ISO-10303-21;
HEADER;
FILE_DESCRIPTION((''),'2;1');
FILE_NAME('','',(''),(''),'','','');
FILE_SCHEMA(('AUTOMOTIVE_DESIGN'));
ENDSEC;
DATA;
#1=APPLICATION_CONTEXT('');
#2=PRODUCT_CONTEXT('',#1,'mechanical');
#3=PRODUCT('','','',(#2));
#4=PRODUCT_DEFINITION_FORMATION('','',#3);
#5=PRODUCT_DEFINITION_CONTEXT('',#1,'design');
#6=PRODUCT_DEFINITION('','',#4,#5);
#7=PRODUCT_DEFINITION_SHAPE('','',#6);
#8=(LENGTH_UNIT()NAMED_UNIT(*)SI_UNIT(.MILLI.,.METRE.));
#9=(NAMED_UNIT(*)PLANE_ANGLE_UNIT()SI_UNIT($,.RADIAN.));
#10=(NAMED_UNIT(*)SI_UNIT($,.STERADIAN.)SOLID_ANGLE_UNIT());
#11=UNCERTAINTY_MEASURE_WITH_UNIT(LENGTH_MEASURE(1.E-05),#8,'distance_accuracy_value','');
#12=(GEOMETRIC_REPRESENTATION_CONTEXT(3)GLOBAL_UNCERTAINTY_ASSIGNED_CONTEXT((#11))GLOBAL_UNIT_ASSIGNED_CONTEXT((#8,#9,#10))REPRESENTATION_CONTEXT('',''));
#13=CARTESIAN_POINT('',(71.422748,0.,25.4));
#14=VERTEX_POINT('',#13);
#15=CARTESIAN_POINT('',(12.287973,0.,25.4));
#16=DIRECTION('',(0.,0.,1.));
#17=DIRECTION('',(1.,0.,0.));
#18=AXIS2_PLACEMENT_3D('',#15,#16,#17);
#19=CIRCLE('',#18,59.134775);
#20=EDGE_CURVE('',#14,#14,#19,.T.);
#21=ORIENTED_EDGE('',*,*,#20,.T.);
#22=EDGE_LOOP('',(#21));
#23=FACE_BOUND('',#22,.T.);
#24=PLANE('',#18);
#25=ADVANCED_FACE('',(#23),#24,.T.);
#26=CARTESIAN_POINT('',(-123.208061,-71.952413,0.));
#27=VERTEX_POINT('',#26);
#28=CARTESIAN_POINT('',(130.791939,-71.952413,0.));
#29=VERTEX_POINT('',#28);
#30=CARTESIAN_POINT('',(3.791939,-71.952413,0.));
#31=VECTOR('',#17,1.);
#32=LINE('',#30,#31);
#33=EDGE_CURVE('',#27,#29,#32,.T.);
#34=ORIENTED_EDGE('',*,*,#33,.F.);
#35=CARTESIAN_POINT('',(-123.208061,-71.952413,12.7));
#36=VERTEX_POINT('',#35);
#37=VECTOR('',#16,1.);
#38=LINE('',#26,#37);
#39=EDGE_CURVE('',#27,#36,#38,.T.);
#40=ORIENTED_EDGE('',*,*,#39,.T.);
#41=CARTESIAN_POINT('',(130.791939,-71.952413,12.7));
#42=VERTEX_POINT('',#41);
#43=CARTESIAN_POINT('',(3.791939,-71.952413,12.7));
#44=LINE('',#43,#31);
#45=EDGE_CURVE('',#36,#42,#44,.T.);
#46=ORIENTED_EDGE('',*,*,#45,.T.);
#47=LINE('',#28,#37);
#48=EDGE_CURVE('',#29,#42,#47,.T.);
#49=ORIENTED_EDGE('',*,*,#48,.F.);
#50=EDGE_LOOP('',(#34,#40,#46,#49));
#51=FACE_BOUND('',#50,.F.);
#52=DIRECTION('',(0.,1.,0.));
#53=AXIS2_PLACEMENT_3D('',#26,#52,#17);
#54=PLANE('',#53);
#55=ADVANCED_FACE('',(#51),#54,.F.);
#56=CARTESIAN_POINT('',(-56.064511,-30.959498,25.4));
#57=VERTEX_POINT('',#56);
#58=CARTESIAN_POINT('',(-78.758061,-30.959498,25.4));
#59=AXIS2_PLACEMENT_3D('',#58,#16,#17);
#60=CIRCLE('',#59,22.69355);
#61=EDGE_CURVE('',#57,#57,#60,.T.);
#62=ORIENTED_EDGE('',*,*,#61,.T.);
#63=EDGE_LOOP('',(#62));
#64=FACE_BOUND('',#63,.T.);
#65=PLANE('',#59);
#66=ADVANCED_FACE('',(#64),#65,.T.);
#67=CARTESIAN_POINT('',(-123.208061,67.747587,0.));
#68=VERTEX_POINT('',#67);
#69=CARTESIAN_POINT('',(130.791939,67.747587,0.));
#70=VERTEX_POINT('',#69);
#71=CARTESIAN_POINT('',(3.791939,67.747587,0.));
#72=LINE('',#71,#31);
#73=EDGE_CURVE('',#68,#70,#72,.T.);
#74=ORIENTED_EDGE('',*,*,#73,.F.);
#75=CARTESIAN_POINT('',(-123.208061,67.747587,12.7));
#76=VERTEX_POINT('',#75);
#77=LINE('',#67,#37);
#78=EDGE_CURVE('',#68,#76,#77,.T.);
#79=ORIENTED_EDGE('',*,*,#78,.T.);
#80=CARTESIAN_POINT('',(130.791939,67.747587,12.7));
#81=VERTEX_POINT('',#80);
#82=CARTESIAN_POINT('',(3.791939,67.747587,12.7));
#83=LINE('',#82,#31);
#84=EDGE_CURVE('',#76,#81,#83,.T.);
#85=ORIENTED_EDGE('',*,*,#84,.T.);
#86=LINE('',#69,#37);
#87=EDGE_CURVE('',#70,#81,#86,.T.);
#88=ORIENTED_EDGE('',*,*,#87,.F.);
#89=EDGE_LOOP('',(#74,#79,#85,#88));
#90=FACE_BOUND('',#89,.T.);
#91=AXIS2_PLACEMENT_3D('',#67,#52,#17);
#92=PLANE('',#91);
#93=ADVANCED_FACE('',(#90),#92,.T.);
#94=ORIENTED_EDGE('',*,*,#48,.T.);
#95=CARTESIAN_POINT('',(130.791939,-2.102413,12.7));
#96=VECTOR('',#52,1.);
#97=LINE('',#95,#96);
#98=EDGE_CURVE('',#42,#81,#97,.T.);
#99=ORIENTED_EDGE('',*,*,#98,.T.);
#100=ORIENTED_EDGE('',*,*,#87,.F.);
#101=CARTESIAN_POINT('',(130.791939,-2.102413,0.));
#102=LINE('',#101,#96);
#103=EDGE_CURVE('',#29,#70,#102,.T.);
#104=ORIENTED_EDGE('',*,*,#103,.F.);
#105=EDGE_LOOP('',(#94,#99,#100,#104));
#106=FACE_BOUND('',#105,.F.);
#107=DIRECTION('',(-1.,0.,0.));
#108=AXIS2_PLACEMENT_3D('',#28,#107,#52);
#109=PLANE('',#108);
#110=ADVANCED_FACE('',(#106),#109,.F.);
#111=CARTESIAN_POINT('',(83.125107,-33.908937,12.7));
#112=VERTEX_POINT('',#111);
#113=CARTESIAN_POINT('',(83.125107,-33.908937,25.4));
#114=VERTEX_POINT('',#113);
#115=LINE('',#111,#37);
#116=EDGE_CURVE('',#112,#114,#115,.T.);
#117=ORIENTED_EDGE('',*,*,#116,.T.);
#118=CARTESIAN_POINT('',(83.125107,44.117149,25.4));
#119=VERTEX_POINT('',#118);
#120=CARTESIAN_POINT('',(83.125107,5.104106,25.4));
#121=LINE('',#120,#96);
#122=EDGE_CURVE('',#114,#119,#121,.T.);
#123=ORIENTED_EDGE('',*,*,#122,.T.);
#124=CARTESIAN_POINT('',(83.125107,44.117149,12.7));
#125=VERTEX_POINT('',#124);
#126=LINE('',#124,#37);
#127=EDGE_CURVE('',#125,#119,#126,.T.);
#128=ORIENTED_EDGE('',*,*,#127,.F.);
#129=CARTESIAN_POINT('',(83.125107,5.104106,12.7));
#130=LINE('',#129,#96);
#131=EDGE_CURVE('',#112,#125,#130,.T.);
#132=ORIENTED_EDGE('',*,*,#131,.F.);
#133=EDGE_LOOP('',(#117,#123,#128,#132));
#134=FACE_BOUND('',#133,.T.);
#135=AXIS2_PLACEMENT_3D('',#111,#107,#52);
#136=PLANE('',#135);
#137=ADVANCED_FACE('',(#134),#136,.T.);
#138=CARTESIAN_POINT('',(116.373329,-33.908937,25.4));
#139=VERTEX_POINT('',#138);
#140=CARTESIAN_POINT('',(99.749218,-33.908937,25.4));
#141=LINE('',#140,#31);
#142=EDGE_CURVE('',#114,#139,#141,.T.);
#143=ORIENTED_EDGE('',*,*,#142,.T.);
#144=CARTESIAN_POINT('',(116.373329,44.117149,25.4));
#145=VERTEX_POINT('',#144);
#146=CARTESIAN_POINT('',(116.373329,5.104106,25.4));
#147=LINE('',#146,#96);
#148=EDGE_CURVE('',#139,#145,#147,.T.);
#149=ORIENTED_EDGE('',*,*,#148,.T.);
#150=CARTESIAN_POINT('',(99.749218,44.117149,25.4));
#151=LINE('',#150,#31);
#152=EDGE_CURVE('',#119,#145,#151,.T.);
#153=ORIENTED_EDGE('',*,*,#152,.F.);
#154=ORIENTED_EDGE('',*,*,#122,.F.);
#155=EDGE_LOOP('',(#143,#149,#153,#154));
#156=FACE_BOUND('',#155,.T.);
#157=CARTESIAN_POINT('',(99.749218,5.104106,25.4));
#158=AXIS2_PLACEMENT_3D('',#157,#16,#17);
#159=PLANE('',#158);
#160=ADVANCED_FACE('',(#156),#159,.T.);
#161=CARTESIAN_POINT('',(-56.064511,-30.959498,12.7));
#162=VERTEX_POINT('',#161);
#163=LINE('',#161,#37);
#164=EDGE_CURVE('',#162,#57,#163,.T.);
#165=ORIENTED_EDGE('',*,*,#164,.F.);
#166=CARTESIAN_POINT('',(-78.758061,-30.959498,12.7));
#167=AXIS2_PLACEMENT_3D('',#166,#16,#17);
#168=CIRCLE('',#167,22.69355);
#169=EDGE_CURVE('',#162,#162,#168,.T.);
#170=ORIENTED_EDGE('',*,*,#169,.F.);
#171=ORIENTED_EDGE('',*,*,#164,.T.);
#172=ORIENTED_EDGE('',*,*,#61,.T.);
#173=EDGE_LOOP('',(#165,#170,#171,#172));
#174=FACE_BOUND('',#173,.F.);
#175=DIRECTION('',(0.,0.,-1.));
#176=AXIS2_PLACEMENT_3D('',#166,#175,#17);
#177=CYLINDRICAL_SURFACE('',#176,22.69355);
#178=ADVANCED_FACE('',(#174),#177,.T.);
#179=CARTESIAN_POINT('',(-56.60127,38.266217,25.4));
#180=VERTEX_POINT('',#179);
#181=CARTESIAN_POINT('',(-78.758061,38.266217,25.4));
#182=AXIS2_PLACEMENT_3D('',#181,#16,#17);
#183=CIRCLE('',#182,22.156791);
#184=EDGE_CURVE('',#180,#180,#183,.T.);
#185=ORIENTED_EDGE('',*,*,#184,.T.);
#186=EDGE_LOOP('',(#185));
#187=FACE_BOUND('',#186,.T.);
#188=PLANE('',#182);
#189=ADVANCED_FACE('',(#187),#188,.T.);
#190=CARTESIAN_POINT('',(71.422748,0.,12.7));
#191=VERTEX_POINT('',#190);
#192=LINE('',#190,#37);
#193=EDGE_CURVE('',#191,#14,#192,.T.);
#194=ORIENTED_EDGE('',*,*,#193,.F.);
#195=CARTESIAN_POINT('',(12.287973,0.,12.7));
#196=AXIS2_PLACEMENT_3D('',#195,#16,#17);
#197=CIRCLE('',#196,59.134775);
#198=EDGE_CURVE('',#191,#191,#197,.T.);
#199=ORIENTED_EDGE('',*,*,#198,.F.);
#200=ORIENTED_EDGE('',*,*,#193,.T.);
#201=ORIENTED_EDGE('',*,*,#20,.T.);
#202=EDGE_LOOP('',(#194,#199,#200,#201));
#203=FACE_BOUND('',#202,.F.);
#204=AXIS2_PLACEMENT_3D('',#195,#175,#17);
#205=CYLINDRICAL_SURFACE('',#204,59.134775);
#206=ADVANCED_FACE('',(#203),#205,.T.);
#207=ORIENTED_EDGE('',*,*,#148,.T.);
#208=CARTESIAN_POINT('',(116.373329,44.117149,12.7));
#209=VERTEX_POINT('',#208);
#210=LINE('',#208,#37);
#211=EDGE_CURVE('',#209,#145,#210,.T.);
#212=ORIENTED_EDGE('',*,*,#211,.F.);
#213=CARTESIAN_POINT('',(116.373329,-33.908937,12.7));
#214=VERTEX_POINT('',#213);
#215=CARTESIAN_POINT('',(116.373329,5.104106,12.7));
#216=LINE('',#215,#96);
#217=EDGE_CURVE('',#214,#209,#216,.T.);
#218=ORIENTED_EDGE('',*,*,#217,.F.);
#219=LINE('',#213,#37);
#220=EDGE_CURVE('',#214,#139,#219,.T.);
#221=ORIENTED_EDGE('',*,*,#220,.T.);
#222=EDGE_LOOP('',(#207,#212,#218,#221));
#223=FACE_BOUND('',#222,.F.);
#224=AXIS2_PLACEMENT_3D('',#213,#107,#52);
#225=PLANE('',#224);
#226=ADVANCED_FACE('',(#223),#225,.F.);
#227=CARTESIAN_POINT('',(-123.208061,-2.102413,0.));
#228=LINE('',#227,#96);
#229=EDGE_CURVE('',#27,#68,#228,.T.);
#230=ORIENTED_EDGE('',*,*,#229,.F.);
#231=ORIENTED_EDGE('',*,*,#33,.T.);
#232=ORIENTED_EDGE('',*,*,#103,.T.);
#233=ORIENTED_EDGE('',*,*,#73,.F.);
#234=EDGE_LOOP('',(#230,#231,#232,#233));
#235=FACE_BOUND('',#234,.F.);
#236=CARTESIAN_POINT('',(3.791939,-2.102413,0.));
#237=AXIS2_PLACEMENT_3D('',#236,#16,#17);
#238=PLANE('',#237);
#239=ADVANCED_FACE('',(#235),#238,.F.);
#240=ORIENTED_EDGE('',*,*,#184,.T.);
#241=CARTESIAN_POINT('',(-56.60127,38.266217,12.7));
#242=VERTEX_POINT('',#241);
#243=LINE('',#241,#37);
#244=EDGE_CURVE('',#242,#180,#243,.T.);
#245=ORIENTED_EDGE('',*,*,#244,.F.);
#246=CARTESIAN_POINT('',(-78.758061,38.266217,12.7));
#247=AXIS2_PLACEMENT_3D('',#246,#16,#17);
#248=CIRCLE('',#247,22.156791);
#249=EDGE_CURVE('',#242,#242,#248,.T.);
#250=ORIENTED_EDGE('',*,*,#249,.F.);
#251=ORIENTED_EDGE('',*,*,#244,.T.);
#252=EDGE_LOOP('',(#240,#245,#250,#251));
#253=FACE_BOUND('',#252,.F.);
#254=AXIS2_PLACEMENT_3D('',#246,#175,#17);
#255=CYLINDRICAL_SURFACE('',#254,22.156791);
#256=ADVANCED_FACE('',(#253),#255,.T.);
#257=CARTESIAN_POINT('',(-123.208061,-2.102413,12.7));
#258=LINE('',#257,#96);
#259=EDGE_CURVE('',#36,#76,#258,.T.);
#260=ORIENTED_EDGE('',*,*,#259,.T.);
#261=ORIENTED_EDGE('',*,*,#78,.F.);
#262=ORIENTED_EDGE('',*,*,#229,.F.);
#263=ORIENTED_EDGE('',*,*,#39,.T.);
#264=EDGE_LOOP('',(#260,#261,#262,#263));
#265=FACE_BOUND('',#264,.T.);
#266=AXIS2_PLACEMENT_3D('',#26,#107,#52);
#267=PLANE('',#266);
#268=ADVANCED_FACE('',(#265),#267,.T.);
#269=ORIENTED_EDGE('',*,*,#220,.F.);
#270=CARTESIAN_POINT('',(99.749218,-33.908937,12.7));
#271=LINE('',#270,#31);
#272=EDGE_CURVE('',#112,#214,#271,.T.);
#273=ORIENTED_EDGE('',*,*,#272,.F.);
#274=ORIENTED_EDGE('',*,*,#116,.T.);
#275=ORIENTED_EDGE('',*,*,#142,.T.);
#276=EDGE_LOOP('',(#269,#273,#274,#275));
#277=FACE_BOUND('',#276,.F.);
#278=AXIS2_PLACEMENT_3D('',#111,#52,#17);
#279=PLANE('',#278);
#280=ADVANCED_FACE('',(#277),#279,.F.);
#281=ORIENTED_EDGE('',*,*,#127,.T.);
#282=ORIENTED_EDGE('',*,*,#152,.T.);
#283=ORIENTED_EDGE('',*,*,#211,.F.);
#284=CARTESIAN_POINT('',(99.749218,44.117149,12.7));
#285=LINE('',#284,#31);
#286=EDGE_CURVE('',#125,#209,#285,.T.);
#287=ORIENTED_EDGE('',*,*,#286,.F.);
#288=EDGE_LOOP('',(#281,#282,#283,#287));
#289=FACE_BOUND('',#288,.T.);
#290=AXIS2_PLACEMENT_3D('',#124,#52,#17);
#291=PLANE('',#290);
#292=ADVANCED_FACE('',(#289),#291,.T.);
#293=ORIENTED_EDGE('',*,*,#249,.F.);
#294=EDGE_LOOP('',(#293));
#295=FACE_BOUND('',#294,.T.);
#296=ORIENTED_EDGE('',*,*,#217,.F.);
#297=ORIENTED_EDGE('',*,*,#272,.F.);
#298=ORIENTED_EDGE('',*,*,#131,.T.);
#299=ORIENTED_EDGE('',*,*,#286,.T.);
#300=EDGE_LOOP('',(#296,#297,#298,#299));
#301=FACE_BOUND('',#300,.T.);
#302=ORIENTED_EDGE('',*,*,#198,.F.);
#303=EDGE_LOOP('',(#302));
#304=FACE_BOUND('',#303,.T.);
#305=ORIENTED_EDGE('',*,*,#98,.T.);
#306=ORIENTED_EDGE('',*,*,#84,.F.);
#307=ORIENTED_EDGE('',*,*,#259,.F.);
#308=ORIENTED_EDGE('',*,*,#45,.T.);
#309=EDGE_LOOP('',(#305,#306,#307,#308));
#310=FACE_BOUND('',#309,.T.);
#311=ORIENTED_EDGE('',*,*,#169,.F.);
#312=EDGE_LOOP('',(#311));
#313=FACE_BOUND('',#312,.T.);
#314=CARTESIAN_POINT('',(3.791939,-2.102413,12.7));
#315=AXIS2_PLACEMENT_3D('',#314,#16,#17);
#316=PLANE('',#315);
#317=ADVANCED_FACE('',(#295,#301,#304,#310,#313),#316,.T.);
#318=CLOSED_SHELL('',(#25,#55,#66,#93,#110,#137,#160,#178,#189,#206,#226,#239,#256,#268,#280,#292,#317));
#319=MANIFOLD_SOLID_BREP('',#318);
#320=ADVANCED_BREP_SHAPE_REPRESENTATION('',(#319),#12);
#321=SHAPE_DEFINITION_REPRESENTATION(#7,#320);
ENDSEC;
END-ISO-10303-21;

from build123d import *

# Parameters (mm, degrees)
F0_W     = 254
F0_H     = 139.7
F1_DEPTH = 12.7
F2_R     = 22.156791
F2_R_2   = 22.69355
F2_R_3   = 59.134775
F2_W     = 33.248223
F2_H     = 78.026086
F3_DEPTH = 12.7


with BuildPart() as f1:
    # F0 (on Top) → F1 (new body)
    with BuildSketch(Plane.XY):
        with Locations((3.791939, -2.102413)):
            Rectangle(F0_W, F0_H)
    extrude(amount=F1_DEPTH)

    # F2 (on face) → F3 (join)
    with BuildSketch(Plane.XY.offset(12.7)):
        with Locations((-78.758061, 38.266217)):
            Circle(F2_R)
        with Locations((-78.758061, -30.959498)):
            Circle(F2_R_2)
        with Locations((12.287973, 0)):
            Circle(F2_R_3)
        with Locations((99.749218, 5.104106)):
            Rectangle(F2_W, F2_H)
    extrude(amount=F3_DEPTH)


solid = f1.part
